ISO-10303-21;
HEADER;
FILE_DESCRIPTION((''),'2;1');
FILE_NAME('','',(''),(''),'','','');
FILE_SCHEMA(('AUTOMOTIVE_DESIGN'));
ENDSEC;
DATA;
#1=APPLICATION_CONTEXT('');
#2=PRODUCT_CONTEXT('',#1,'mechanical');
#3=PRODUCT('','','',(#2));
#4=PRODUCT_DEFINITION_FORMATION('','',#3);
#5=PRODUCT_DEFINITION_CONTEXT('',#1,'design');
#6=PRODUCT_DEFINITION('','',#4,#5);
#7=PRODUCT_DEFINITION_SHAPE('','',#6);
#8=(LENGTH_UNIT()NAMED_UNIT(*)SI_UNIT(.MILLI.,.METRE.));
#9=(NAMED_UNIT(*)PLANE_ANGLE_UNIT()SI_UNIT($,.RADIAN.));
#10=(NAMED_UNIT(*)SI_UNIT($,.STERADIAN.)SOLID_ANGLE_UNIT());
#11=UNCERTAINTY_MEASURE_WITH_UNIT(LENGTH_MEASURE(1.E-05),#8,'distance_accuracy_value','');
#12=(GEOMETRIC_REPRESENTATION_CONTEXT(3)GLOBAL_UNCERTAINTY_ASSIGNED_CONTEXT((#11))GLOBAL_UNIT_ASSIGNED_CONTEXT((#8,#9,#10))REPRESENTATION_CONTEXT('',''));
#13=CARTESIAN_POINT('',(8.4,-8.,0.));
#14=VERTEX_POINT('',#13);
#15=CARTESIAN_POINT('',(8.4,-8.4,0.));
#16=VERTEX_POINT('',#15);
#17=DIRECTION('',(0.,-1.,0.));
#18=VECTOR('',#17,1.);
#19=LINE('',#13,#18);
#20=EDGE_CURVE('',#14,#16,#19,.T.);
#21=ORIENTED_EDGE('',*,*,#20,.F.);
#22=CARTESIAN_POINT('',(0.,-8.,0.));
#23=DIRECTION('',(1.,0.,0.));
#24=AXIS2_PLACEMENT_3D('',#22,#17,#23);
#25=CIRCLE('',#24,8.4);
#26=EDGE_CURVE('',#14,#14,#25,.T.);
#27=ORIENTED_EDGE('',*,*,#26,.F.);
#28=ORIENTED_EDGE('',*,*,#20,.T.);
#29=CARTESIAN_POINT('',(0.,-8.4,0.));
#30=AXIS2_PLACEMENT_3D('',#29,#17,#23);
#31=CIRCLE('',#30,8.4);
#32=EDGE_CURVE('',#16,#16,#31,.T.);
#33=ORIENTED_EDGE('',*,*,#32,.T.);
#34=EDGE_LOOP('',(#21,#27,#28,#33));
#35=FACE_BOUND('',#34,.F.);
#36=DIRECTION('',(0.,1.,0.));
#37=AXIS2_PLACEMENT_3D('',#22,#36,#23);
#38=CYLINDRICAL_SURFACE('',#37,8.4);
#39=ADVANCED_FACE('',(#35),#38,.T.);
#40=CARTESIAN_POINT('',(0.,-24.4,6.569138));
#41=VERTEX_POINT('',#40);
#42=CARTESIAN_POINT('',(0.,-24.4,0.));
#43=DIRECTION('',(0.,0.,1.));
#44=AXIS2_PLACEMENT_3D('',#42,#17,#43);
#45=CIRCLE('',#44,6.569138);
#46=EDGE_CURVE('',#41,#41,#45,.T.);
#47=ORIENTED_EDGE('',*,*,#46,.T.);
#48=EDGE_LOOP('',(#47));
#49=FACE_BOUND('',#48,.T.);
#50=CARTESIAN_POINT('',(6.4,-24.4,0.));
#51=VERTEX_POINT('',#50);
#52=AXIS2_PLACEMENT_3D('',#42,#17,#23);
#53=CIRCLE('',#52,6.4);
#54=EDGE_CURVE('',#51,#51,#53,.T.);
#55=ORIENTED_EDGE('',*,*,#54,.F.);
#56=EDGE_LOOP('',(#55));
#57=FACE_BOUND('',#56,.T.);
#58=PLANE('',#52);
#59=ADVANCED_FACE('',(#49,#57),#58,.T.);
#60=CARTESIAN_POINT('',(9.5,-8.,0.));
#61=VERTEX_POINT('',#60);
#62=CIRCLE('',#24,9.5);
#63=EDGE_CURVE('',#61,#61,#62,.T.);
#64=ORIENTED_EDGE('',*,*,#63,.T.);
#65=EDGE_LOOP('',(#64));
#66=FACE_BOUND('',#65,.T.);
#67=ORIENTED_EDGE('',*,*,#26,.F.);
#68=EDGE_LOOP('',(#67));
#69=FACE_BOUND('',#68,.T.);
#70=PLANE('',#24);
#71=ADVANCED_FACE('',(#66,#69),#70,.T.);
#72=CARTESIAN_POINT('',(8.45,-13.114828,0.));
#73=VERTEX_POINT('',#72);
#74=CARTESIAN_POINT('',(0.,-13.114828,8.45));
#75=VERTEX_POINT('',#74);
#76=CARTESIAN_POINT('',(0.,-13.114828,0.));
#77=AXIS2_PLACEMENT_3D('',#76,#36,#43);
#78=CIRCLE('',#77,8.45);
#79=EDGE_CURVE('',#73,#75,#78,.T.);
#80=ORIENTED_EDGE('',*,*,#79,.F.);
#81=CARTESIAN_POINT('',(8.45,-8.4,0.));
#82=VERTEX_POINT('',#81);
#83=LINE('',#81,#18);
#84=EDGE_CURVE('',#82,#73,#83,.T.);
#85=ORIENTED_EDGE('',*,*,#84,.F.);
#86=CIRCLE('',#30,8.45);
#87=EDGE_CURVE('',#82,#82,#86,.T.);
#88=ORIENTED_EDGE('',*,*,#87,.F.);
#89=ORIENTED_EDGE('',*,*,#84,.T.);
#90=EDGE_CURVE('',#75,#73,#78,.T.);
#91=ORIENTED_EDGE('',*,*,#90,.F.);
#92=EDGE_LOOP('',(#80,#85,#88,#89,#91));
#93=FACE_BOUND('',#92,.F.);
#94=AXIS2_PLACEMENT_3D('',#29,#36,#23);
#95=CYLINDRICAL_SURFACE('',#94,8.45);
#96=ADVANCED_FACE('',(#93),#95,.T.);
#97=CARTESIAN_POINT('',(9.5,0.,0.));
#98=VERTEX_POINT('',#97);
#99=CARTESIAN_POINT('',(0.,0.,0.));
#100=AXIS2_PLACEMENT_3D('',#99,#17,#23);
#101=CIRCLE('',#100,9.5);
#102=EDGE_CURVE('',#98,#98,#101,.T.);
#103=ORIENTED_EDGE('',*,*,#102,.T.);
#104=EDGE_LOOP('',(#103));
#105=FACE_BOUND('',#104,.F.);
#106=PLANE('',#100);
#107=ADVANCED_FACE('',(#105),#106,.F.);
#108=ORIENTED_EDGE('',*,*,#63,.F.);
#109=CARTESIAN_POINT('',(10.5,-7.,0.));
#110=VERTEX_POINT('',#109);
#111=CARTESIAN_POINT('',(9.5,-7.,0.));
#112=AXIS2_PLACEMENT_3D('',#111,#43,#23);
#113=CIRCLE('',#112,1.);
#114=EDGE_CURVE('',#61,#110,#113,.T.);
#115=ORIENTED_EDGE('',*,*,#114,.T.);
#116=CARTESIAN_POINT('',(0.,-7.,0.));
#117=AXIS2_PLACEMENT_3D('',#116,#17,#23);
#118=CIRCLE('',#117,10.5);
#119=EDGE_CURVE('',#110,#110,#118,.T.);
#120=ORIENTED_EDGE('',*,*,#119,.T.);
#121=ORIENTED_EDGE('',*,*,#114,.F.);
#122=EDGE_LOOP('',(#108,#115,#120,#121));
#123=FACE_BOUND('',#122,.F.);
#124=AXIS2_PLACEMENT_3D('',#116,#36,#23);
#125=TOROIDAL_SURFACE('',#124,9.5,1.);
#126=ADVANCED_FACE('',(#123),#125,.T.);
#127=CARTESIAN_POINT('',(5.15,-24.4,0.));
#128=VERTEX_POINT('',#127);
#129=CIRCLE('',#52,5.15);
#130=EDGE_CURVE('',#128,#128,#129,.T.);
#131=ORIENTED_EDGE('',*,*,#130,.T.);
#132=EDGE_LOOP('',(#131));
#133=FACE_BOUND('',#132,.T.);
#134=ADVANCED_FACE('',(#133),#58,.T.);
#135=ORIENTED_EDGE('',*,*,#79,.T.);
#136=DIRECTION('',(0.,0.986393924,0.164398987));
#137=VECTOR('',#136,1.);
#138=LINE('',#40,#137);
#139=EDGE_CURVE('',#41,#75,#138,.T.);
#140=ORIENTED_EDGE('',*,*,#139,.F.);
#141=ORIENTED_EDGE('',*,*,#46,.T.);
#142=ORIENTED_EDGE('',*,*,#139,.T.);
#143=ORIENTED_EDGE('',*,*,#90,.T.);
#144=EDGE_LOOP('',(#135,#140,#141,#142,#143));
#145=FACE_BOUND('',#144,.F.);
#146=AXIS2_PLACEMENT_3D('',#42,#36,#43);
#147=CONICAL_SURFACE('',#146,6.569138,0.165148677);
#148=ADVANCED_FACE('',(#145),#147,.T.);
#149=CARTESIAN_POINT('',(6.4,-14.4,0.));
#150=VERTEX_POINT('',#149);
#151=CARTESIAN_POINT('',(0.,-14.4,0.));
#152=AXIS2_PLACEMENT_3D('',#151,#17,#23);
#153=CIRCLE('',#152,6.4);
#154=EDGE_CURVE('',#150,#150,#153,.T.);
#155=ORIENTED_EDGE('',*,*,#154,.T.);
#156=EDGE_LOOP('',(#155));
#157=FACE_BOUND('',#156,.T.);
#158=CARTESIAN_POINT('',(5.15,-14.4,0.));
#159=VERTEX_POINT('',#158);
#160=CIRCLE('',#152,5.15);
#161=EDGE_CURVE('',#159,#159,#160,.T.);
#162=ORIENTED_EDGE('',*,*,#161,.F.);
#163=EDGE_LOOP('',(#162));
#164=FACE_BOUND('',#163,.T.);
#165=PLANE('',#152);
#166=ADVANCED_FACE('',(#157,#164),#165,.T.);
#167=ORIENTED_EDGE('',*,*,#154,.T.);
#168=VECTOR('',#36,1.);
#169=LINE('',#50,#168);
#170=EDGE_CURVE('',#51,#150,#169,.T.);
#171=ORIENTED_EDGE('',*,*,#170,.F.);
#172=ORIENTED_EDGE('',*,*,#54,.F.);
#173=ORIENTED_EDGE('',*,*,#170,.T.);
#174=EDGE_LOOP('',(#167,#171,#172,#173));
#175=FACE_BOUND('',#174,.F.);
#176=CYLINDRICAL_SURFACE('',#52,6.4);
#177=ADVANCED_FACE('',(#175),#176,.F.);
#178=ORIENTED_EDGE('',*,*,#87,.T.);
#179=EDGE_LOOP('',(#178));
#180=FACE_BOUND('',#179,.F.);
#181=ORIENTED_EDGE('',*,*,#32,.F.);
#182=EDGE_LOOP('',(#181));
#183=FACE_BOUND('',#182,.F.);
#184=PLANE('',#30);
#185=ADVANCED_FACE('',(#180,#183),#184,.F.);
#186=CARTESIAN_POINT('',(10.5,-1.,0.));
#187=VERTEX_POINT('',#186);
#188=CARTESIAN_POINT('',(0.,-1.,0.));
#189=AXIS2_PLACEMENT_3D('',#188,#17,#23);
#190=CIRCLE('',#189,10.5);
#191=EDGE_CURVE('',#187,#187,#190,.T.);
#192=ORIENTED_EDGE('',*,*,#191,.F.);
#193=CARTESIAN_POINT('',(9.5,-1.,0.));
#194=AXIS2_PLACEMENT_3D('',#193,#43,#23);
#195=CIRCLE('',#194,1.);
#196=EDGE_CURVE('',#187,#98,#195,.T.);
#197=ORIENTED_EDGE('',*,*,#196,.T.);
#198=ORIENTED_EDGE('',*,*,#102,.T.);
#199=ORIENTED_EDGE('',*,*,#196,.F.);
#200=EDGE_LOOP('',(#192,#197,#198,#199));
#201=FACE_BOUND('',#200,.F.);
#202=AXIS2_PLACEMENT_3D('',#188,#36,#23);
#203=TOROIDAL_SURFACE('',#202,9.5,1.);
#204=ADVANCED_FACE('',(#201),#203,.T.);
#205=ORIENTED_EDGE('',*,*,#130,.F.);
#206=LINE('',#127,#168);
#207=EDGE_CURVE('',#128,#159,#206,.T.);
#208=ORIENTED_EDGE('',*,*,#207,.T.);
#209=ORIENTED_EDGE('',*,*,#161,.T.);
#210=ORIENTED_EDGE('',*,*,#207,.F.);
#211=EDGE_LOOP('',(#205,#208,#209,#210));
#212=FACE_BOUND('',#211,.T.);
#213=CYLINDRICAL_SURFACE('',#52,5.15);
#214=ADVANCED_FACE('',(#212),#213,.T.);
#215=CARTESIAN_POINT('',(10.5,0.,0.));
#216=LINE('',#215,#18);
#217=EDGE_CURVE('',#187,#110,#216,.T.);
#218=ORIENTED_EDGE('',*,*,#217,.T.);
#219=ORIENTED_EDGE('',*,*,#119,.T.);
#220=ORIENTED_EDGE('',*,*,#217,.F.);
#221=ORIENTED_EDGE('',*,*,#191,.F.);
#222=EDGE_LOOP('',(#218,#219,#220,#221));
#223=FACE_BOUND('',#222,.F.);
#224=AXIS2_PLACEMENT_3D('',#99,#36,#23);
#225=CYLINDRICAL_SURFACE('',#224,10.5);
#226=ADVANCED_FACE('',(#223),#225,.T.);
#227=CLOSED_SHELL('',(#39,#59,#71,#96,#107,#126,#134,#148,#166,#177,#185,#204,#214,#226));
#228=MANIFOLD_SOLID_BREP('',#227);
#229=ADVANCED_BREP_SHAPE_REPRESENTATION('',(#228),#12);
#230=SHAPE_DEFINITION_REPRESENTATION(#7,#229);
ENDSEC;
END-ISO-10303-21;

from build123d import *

# Parameters (mm, degrees)
F0_R     = 10.5
F1_DEPTH = 8
F2_R     = 8.4
F3_DEPTH = 0.4
F4_R     = 8.45
F4_R_2   = 8.4
F5_DEPTH = 16
F6_R     = 6.4
F6_R_2   = 5.15
F7_DEPTH = 10
F10_R    = 1


with BuildPart() as f1:
    # F0 (on Front) → F1 (new body)
    with BuildSketch(Plane.XZ):
        Circle(F0_R)
    extrude(amount=F1_DEPTH)

    # F2 (on face) → F3 (join)
    with BuildSketch(Plane.XZ.offset(8)):
        Circle(F2_R)
    extrude(amount=F3_DEPTH)

    # F4 (on face) → F5 (join)
    with BuildSketch(Plane.XZ.offset(8.4)):
        Circle(F4_R)
        Circle(F4_R_2, mode=Mode.SUBTRACT)
        Circle(F4_R_2)
    extrude(amount=F5_DEPTH)

    # F6 (on face) → F7 (cut)
    with BuildSketch(Plane.XZ.offset(24.4)):
        Circle(F6_R)
        Circle(F6_R_2, mode=Mode.SUBTRACT)
    extrude(amount=-F7_DEPTH, mode=Mode.SUBTRACT)

    # F8 (on Right) → F9 (revolve, cut)
    with BuildSketch(Plane.YZ):
        Polygon((-12.4, 8.569138), (-24.4, 8.569138), (-24.4, 6.569138), align=None)
    revolve(axis=Axis((0, -18.4, 0), (0, -1, 0)), mode=Mode.SUBTRACT)

    # F10
    f10_edges = [f1.edges().sort_by_distance(p)[0] for p in [
        (-10.5, -8, 0),
        (-10.5, 0, 0),
    ]]
    fillet(f10_edges, radius=F10_R)


solid = f1.part
